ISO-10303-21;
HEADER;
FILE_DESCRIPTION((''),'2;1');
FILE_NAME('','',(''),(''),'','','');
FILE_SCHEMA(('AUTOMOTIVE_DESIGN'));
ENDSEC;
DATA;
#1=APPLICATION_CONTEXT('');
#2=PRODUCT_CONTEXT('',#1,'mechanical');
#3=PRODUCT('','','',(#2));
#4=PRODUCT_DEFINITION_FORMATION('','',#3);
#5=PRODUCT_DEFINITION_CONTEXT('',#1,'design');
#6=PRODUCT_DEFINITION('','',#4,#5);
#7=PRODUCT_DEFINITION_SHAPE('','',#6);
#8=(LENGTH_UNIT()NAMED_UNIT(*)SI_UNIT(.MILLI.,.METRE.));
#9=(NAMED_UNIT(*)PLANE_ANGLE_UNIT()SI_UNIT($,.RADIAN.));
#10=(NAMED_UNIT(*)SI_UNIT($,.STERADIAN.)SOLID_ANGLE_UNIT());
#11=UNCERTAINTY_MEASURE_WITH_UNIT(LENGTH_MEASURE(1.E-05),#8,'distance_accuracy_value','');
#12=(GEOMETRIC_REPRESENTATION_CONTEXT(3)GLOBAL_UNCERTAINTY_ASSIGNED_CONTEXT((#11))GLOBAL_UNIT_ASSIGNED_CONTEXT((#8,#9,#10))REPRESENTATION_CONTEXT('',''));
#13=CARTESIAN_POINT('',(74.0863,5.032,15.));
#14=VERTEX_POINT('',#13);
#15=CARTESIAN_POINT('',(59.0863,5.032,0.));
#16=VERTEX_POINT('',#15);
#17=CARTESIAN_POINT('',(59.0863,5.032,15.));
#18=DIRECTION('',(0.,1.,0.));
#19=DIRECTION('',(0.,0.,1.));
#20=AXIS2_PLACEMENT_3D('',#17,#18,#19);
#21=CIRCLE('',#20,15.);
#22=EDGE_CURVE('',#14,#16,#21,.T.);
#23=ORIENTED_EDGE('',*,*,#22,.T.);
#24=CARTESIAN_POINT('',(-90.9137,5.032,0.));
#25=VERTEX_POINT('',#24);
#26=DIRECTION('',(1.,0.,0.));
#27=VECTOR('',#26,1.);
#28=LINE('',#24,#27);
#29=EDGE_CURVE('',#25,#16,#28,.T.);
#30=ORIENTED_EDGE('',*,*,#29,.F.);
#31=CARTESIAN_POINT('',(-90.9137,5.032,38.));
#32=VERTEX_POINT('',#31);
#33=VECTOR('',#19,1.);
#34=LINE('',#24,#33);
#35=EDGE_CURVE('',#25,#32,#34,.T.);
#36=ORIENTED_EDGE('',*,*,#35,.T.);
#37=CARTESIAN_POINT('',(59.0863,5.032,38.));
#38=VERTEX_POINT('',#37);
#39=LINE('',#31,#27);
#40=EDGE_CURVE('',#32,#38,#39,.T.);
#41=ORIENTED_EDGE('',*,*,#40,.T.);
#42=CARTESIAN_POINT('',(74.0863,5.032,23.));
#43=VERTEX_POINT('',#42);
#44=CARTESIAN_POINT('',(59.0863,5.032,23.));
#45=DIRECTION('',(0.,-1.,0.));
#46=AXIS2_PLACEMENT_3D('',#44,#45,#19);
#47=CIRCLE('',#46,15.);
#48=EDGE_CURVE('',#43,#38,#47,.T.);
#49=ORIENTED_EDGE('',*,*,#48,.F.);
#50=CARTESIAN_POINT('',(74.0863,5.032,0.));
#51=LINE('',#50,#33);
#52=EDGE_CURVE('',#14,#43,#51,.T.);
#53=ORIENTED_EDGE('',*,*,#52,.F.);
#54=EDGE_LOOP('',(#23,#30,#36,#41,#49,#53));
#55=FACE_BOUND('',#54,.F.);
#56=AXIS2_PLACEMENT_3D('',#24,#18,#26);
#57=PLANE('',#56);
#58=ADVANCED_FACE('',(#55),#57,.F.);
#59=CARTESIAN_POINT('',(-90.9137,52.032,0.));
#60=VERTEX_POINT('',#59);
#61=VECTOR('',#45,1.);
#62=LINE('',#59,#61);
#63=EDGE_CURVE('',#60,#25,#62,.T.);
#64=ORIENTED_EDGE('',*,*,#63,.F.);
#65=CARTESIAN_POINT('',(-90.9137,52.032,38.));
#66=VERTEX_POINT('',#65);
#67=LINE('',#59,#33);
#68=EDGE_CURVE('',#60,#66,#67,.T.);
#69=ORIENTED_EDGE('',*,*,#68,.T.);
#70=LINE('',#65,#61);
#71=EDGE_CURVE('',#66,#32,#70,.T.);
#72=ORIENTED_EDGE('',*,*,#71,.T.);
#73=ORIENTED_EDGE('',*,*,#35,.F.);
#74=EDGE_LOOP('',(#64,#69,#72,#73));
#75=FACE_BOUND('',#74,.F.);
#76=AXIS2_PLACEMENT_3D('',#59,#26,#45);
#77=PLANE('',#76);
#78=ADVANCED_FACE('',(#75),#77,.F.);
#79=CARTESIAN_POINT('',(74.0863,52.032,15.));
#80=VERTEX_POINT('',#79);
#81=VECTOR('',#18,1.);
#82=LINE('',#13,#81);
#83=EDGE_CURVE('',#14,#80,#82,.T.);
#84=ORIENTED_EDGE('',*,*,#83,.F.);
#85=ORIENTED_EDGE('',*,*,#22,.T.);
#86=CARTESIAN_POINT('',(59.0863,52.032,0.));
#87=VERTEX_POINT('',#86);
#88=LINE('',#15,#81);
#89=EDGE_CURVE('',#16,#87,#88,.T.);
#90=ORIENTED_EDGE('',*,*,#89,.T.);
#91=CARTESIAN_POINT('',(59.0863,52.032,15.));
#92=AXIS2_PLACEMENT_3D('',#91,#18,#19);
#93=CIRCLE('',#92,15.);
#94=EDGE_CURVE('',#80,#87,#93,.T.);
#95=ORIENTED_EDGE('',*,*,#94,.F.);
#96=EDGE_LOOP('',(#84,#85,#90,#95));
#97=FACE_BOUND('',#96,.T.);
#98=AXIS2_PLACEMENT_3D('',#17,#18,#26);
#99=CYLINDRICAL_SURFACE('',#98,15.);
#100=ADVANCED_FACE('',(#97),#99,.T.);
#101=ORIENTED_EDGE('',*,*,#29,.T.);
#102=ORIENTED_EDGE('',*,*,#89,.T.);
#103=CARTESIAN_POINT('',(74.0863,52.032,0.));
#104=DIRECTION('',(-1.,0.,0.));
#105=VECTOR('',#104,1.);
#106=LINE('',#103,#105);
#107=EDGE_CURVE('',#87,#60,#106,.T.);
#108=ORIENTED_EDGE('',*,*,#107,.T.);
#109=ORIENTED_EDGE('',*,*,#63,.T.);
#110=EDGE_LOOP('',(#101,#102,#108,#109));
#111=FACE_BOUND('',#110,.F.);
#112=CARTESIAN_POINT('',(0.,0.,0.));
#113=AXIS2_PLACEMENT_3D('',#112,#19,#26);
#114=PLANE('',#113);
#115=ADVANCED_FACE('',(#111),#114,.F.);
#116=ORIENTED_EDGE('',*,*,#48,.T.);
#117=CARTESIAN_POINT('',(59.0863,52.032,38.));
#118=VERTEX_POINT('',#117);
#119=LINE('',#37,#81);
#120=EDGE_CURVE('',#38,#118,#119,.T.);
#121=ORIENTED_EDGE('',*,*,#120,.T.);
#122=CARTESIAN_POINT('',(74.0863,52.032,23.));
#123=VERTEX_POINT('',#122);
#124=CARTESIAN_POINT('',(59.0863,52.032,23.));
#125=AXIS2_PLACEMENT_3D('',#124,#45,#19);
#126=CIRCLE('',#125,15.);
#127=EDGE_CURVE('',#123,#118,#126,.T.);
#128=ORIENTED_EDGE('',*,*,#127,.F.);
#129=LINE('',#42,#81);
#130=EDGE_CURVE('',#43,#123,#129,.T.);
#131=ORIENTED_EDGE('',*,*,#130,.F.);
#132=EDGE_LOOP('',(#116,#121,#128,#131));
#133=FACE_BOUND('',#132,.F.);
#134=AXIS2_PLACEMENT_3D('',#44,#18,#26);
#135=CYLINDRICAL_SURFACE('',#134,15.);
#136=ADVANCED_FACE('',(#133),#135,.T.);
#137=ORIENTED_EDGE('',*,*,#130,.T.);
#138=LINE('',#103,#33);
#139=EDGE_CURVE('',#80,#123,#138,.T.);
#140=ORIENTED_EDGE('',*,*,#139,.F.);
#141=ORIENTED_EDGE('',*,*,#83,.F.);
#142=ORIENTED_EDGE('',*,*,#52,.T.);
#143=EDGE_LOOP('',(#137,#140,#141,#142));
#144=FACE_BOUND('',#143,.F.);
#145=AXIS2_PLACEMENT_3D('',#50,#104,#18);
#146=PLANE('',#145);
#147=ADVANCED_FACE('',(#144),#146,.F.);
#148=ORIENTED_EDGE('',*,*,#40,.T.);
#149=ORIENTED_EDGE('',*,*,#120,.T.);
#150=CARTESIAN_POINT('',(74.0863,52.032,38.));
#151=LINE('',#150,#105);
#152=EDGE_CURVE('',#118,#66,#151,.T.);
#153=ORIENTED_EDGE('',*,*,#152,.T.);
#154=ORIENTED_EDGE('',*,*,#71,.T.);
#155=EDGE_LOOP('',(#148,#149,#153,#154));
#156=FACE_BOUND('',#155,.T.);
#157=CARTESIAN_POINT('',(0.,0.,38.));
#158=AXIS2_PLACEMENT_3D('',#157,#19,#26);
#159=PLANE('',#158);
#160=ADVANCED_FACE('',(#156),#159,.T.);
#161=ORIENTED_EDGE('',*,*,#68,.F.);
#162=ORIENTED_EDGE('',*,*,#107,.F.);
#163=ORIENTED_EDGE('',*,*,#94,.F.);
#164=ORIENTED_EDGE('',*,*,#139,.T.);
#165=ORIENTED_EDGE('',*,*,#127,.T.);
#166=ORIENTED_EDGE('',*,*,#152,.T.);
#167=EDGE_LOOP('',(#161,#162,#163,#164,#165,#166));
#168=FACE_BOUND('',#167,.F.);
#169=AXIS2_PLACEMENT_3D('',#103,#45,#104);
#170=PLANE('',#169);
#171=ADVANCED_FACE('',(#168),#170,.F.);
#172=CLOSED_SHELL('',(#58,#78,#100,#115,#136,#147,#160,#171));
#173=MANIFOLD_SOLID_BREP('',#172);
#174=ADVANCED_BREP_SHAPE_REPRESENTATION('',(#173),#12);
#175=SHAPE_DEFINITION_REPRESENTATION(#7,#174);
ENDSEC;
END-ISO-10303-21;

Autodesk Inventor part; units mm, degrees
ref_plane "YZ Plane" through (0, 0, 0) normal (1, 0, 0) x (0, 1, 0)
ref_plane "XZ Plane" through (0, 0, 0) normal (0, 1, 0) x (-1, 0, 0)
ref_plane "XY Plane" through (0, 0, 0) normal (0, 0, 1) x (1, 0, 0)
sketch "Эскиз1" plane through (0, 0, 0) normal (0, 0, 1) x (1, 0, 0)
  line L0 (74.0863, 52.032) -> (-90.9137, 52.032)
  line L1 (-90.9137, 52.032) -> (-90.9137, 5.032)
  line L2 (-90.9137, 5.032) -> (74.0863, 5.032)
  line L3 (74.0863, 5.032) -> (74.0863, 52.032)
  point P0 (0, 0)
  dimension "d0" = 47
  dimension "d1" = 165
extrude "Выдавливание1" add sketch "Эскиз1" along normal blind 38
fillet "Сопряжение1" radius 15 2 edges at (74.0863, 28.532, 38) (74.0863, 28.532, 0)
properties part number "akkum16v"
